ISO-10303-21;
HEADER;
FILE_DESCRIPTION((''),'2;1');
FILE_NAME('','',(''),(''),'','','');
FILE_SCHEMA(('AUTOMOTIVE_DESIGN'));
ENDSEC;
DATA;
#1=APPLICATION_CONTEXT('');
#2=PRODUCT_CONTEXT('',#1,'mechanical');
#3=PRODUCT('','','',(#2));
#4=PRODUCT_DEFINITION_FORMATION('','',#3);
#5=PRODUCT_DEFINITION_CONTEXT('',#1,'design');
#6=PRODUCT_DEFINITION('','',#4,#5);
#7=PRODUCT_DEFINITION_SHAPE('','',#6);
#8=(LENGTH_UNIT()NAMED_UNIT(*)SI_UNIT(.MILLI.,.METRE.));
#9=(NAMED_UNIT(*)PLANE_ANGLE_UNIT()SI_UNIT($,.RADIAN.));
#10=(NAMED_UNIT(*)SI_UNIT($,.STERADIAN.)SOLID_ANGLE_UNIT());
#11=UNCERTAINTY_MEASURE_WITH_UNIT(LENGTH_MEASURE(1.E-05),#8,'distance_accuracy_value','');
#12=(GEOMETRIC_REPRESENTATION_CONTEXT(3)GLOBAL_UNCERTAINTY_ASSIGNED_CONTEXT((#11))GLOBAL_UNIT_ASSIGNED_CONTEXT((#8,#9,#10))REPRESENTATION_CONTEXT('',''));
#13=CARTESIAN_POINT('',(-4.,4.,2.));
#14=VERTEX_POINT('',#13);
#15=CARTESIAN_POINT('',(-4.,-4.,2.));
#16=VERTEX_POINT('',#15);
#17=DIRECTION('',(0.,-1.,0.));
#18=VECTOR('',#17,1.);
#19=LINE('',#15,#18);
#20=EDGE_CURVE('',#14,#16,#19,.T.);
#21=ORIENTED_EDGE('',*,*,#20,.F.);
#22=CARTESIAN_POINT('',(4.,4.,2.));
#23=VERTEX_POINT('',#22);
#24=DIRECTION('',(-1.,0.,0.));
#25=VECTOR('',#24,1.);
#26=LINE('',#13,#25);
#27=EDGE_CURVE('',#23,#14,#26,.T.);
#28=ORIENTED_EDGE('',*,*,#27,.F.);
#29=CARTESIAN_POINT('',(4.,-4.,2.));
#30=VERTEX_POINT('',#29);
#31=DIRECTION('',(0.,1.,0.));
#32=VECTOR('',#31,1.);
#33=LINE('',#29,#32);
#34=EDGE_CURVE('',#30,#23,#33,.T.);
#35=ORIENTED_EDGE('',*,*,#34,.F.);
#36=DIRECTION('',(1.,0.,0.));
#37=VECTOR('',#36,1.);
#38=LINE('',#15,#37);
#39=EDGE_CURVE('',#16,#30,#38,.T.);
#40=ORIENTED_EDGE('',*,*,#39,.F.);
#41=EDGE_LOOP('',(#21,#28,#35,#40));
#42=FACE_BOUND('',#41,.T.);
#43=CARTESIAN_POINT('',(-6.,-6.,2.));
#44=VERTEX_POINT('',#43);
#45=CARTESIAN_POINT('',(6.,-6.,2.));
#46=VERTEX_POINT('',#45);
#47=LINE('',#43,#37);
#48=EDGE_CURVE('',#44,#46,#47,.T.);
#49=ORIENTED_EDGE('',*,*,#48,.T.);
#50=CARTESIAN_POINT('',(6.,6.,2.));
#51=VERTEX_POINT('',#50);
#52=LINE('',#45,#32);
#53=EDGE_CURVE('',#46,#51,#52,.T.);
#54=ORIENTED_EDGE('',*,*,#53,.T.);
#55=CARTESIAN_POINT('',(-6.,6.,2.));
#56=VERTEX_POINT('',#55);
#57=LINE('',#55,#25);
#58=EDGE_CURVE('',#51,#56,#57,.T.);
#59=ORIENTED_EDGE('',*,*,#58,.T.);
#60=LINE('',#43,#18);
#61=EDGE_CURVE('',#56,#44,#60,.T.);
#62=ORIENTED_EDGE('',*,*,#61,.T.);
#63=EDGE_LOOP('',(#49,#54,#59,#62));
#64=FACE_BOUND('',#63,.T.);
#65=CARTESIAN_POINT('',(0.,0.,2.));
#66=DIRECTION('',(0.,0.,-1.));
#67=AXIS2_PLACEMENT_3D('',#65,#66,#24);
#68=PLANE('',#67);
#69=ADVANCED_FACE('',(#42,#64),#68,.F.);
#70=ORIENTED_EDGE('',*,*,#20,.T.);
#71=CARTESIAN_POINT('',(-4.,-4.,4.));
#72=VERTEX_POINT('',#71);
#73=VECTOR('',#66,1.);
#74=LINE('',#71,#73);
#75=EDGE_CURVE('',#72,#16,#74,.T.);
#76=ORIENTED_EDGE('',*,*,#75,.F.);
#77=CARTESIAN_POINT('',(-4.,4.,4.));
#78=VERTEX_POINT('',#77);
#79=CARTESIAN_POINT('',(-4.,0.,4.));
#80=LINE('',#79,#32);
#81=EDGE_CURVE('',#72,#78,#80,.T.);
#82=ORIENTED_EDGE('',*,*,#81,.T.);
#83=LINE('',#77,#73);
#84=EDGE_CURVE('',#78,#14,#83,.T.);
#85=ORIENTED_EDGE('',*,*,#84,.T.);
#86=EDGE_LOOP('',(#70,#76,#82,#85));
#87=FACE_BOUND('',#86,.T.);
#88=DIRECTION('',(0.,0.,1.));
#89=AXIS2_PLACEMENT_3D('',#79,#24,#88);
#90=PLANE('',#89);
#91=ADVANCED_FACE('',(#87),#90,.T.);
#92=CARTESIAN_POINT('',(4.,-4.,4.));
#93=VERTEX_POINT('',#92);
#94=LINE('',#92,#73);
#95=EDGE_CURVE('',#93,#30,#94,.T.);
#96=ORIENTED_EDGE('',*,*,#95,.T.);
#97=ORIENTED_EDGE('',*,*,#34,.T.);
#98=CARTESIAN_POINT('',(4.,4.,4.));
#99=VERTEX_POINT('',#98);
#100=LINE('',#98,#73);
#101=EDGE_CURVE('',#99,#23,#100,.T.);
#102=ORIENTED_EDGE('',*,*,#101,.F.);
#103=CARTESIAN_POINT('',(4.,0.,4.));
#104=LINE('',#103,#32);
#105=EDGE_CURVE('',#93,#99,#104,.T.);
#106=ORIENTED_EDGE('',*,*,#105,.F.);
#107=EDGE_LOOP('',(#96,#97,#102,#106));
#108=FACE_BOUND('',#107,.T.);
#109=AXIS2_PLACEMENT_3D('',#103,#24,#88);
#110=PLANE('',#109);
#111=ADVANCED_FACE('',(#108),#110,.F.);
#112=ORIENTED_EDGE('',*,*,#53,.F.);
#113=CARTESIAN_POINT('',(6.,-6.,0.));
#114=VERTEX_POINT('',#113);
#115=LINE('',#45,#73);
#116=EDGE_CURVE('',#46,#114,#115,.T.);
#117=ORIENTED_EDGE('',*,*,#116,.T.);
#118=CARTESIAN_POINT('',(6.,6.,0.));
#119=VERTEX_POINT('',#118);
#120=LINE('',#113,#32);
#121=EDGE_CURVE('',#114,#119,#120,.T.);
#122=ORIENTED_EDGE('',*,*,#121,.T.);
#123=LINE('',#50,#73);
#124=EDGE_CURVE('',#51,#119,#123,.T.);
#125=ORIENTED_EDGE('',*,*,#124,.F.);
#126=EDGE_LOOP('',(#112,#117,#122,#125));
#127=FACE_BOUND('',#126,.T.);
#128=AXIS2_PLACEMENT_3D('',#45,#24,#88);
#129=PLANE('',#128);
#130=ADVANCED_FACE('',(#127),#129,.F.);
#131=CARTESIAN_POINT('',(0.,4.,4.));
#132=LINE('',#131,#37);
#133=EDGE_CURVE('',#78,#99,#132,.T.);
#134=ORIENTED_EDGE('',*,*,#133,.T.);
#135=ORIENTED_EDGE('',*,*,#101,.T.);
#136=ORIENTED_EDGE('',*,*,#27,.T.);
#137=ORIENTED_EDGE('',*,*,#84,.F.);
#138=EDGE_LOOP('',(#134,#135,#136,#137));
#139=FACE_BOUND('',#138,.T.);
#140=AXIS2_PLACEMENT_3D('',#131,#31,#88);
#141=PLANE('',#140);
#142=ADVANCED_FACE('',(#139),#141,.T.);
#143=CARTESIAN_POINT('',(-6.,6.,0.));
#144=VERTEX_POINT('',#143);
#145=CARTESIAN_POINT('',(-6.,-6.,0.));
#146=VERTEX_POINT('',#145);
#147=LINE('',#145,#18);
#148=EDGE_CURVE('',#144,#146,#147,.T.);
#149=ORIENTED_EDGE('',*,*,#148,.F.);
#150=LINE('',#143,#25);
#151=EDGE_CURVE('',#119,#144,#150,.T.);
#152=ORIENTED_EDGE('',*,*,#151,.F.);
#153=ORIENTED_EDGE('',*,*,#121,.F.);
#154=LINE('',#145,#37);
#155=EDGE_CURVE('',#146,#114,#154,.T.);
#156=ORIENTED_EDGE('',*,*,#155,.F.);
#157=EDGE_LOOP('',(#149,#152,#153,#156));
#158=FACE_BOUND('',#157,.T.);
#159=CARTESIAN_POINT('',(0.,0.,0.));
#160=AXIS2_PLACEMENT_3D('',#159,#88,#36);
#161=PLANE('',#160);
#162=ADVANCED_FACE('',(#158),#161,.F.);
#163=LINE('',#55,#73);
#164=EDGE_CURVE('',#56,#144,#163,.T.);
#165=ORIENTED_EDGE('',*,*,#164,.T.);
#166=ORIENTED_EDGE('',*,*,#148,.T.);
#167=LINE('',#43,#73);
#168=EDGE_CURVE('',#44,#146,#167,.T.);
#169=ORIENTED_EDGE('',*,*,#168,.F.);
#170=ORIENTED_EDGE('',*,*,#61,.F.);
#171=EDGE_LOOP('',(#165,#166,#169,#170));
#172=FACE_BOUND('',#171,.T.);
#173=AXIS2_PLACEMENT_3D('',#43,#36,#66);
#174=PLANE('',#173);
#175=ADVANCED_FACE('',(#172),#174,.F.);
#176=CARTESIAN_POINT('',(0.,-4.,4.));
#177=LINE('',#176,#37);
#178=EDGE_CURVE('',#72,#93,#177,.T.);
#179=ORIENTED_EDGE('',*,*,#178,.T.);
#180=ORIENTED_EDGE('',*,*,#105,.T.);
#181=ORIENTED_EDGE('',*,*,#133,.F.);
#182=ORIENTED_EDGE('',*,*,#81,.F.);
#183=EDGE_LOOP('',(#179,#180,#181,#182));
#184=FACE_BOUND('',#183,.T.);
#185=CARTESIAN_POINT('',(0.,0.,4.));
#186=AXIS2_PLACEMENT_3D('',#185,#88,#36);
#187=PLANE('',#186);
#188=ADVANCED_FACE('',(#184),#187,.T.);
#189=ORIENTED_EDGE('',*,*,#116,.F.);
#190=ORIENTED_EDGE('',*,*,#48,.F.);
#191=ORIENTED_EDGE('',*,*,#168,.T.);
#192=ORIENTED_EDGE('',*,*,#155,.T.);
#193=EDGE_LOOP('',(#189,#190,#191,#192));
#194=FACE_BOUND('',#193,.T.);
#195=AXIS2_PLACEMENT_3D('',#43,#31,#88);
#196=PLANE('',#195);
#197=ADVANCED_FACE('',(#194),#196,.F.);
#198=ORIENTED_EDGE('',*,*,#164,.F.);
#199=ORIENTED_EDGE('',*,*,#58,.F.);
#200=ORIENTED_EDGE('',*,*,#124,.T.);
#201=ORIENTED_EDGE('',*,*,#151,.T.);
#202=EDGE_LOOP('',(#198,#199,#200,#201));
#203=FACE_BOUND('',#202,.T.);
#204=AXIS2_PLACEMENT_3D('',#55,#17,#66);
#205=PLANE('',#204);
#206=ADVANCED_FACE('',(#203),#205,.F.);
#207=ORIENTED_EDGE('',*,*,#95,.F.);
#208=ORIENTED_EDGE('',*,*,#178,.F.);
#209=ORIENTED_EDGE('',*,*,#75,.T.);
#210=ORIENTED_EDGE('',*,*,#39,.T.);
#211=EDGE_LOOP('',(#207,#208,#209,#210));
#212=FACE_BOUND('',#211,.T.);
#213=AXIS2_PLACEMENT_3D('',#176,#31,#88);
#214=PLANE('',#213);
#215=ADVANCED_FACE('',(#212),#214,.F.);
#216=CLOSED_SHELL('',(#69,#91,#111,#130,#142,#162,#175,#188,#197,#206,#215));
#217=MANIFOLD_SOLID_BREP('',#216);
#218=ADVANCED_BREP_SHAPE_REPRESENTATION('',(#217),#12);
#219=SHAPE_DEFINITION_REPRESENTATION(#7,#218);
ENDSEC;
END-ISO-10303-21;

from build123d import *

# Parameters (mm, degrees)
SKETCH1_W     = 8
SKETCH1_H     = 8
NOTCH_DEPTH   = 4
SKETCH1_3_W   = 12
SKETCH1_3_H   = 12
SKETCH1_3_W_2 = 8
SKETCH1_3_H_2 = 8
BASE_DEPTH    = 2


with BuildPart() as part:
    # Sketch1 → Notch (new body)
    with BuildSketch(Plane.XY):
        Rectangle(SKETCH1_W, SKETCH1_H)
    extrude(amount=NOTCH_DEPTH)

    # Sketch1<3> → Base (add)
    with BuildSketch(Plane.XY):
        Rectangle(SKETCH1_3_W, SKETCH1_3_H)
        Rectangle(SKETCH1_3_W_2, SKETCH1_3_H_2, mode=Mode.SUBTRACT)
    extrude(amount=BASE_DEPTH)


solid = part.part
